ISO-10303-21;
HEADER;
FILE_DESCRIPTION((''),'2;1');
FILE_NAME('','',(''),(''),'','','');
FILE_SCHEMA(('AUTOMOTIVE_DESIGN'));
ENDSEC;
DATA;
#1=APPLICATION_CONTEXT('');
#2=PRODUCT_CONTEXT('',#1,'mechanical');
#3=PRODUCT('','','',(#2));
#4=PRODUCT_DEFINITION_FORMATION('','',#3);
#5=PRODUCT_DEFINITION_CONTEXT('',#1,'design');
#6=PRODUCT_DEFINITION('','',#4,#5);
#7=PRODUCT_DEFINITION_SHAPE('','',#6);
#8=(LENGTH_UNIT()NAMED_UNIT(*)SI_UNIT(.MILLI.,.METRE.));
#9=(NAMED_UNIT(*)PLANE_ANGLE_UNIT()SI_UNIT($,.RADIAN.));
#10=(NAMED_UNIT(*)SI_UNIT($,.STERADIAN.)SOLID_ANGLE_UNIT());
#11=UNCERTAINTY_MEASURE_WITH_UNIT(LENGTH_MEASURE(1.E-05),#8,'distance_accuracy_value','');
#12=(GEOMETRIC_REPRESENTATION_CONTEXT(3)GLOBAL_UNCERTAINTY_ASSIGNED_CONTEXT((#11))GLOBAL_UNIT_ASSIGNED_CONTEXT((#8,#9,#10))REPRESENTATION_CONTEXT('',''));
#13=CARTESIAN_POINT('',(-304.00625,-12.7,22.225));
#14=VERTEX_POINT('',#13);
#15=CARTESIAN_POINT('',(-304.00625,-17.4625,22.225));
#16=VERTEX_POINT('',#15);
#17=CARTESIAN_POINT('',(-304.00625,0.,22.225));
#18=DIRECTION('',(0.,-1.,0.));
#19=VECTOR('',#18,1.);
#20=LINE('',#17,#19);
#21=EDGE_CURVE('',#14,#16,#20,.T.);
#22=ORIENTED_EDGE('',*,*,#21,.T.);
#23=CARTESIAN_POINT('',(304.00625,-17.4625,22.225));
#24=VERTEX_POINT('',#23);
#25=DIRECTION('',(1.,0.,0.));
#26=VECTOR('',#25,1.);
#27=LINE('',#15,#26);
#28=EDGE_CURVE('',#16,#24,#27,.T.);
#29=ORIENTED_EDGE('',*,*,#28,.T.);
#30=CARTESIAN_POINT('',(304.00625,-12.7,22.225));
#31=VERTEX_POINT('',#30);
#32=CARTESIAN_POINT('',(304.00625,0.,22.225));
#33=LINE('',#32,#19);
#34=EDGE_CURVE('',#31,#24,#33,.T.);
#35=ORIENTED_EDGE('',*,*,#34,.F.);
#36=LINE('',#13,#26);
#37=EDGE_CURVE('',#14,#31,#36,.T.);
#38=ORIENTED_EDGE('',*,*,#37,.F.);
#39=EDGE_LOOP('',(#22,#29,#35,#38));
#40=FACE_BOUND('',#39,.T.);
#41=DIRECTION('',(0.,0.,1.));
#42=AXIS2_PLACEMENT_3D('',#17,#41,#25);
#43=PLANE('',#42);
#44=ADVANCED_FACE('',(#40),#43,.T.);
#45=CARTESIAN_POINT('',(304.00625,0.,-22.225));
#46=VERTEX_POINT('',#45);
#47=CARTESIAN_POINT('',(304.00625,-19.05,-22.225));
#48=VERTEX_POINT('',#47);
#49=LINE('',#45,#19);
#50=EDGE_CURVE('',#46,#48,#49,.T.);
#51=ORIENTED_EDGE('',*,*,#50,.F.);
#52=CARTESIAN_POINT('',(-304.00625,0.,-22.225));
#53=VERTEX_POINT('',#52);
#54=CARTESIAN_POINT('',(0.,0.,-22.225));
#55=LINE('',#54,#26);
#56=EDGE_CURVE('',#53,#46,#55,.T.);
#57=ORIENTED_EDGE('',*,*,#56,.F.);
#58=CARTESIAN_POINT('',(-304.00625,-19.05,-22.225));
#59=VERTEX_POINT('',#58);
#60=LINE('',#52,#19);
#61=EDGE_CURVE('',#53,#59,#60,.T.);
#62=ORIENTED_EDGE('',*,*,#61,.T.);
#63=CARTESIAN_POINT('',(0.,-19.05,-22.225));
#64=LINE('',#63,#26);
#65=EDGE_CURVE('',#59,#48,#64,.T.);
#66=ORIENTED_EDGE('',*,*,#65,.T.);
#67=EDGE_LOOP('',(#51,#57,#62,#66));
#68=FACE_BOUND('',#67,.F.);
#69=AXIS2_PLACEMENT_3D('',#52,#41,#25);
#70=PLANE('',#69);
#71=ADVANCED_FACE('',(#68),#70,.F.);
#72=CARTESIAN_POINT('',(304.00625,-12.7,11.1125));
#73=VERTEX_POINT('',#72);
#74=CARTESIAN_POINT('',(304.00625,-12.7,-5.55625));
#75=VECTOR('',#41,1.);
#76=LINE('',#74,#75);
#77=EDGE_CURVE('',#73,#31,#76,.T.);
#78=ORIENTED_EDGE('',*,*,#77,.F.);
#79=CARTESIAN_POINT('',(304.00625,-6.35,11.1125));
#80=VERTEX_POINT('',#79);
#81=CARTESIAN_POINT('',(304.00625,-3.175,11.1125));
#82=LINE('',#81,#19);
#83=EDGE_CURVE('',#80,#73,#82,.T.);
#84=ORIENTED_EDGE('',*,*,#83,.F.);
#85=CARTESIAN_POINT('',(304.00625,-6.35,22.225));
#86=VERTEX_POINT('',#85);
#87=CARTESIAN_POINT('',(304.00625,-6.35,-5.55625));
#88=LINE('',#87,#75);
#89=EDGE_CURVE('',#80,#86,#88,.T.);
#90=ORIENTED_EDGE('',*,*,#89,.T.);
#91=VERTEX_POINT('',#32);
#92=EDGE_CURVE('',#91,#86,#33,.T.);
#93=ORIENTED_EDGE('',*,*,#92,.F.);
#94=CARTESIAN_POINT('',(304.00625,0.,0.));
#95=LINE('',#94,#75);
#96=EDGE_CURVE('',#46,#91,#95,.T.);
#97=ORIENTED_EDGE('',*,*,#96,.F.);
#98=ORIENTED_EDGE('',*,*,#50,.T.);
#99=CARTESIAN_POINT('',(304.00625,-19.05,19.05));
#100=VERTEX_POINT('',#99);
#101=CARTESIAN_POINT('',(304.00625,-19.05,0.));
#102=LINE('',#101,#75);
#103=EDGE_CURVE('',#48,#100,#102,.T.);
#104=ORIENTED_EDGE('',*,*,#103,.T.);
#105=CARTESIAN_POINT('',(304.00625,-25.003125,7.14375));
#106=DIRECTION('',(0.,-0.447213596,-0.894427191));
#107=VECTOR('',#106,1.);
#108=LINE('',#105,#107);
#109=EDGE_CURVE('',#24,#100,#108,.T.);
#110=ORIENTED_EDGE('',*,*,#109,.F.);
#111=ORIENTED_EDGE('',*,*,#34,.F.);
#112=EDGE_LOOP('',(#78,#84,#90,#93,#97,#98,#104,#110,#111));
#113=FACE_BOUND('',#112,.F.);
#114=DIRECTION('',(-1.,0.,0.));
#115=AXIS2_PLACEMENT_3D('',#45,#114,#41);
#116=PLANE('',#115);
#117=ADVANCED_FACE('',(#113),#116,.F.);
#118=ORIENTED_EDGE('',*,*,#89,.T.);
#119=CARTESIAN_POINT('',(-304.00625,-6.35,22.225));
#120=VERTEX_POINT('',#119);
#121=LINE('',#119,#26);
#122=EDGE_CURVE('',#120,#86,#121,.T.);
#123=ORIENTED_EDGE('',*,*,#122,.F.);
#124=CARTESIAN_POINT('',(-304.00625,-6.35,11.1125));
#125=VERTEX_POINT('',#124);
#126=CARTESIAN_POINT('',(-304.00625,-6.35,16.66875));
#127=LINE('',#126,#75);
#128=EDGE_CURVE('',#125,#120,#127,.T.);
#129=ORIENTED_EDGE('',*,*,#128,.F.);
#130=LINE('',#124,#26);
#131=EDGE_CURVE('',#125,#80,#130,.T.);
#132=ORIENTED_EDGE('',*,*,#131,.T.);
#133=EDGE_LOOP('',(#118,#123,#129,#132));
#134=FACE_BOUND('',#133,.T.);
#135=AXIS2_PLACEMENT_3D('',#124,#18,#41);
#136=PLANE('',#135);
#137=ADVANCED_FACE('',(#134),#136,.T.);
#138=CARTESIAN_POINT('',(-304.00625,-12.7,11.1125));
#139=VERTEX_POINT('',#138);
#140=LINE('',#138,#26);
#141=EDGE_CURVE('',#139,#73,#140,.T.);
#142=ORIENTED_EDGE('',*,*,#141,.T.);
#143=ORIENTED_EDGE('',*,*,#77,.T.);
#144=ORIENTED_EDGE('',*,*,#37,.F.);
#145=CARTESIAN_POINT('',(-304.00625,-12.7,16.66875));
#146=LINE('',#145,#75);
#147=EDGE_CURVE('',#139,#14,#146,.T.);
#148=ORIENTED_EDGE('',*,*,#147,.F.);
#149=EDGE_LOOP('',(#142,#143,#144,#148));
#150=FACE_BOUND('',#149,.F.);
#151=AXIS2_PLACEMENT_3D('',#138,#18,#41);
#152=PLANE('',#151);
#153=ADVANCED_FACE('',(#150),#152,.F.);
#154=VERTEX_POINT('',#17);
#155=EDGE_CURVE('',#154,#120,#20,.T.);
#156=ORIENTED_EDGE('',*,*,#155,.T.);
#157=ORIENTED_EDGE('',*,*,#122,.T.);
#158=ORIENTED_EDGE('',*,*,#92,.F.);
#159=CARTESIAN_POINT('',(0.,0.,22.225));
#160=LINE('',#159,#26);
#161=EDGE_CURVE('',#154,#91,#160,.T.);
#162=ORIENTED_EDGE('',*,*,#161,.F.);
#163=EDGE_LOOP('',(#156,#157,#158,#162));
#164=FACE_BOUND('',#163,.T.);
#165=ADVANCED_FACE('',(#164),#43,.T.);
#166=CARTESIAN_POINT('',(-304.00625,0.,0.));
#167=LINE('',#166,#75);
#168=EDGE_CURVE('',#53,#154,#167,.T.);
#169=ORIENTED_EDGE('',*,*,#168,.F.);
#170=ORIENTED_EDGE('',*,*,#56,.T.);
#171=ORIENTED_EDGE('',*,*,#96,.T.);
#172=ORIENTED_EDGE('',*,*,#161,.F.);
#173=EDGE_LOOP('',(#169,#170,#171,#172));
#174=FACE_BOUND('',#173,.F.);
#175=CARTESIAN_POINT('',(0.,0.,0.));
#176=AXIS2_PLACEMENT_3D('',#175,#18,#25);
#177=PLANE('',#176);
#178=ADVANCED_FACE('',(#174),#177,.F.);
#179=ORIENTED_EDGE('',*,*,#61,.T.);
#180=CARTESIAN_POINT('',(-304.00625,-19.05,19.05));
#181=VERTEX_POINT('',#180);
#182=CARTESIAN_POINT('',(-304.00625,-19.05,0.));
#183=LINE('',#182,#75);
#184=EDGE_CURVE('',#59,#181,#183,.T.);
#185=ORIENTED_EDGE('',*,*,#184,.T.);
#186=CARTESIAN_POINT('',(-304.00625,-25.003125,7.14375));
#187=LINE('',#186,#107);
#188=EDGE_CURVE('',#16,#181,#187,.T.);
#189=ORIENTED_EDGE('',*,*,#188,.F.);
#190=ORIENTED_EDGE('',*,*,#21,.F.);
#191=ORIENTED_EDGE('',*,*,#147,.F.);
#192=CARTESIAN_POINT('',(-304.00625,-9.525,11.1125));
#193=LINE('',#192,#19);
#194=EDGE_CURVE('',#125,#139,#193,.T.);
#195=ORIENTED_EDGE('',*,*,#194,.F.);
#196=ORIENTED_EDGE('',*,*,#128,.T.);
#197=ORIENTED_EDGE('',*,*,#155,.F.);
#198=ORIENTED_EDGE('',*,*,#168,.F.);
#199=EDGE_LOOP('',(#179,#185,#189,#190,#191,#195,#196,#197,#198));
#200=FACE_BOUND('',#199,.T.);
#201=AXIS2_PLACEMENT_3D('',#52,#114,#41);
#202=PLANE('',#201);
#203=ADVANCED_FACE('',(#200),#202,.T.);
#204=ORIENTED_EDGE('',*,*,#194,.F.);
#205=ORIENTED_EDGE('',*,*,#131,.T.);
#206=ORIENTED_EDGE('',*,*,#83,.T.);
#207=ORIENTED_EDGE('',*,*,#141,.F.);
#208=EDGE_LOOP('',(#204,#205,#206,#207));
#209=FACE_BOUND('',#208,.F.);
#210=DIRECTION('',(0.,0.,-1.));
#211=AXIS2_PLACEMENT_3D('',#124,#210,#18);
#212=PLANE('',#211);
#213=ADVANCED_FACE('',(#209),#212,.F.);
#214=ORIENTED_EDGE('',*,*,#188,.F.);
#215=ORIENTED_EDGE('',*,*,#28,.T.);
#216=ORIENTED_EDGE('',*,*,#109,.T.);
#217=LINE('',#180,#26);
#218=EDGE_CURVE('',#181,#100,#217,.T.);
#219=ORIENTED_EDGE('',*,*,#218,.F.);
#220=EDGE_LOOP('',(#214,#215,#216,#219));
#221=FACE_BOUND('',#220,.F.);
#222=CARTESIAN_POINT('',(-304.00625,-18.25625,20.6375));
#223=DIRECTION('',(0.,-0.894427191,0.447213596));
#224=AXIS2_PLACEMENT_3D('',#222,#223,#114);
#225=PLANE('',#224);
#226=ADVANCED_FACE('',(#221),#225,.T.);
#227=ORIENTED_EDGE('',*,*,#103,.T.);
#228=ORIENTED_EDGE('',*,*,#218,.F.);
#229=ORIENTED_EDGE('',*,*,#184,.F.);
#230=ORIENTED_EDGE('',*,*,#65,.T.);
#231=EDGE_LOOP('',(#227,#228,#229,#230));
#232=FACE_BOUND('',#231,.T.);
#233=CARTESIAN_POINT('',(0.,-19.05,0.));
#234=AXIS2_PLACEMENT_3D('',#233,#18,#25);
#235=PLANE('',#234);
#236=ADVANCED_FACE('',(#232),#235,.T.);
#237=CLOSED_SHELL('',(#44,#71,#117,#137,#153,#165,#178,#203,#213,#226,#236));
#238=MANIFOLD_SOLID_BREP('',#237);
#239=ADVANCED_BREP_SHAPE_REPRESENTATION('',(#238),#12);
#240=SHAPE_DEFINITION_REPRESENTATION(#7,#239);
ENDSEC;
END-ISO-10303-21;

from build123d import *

# Parameters (mm, degrees)
F0_W     = 608.0125
F0_H     = 44.45
F1_DEPTH = 19.05
F2_W     = 6.35
F2_H     = 11.1125
F3_DEPTH = 608.0135
F4_SIZE2 = 3.175
F4_SIZE  = 1.5875


with BuildPart() as f1:
    # F0 (on Front) → F1 (new body)
    with BuildSketch(Plane.XZ):
        Rectangle(F0_W, F0_H)
    extrude(amount=F1_DEPTH)

    # F2 (on face) → F3 (cut, through all)
    with BuildSketch(Plane(origin=(-304.00625, 0, 0), x_dir=(0, -1, 0), z_dir=(-1, 0, 0))):
        with Locations((9.525, 16.66875)):
            Rectangle(F2_W, F2_H)
    extrude(amount=-F3_DEPTH, mode=Mode.SUBTRACT)

    # F4
    f4_edges = [f1.edges().sort_by_distance(p)[0] for p in [
        (0, -19.05, 22.225),
    ]]
    chamfer(f4_edges, length=F4_SIZE, length2=F4_SIZE2)


solid = f1.part
